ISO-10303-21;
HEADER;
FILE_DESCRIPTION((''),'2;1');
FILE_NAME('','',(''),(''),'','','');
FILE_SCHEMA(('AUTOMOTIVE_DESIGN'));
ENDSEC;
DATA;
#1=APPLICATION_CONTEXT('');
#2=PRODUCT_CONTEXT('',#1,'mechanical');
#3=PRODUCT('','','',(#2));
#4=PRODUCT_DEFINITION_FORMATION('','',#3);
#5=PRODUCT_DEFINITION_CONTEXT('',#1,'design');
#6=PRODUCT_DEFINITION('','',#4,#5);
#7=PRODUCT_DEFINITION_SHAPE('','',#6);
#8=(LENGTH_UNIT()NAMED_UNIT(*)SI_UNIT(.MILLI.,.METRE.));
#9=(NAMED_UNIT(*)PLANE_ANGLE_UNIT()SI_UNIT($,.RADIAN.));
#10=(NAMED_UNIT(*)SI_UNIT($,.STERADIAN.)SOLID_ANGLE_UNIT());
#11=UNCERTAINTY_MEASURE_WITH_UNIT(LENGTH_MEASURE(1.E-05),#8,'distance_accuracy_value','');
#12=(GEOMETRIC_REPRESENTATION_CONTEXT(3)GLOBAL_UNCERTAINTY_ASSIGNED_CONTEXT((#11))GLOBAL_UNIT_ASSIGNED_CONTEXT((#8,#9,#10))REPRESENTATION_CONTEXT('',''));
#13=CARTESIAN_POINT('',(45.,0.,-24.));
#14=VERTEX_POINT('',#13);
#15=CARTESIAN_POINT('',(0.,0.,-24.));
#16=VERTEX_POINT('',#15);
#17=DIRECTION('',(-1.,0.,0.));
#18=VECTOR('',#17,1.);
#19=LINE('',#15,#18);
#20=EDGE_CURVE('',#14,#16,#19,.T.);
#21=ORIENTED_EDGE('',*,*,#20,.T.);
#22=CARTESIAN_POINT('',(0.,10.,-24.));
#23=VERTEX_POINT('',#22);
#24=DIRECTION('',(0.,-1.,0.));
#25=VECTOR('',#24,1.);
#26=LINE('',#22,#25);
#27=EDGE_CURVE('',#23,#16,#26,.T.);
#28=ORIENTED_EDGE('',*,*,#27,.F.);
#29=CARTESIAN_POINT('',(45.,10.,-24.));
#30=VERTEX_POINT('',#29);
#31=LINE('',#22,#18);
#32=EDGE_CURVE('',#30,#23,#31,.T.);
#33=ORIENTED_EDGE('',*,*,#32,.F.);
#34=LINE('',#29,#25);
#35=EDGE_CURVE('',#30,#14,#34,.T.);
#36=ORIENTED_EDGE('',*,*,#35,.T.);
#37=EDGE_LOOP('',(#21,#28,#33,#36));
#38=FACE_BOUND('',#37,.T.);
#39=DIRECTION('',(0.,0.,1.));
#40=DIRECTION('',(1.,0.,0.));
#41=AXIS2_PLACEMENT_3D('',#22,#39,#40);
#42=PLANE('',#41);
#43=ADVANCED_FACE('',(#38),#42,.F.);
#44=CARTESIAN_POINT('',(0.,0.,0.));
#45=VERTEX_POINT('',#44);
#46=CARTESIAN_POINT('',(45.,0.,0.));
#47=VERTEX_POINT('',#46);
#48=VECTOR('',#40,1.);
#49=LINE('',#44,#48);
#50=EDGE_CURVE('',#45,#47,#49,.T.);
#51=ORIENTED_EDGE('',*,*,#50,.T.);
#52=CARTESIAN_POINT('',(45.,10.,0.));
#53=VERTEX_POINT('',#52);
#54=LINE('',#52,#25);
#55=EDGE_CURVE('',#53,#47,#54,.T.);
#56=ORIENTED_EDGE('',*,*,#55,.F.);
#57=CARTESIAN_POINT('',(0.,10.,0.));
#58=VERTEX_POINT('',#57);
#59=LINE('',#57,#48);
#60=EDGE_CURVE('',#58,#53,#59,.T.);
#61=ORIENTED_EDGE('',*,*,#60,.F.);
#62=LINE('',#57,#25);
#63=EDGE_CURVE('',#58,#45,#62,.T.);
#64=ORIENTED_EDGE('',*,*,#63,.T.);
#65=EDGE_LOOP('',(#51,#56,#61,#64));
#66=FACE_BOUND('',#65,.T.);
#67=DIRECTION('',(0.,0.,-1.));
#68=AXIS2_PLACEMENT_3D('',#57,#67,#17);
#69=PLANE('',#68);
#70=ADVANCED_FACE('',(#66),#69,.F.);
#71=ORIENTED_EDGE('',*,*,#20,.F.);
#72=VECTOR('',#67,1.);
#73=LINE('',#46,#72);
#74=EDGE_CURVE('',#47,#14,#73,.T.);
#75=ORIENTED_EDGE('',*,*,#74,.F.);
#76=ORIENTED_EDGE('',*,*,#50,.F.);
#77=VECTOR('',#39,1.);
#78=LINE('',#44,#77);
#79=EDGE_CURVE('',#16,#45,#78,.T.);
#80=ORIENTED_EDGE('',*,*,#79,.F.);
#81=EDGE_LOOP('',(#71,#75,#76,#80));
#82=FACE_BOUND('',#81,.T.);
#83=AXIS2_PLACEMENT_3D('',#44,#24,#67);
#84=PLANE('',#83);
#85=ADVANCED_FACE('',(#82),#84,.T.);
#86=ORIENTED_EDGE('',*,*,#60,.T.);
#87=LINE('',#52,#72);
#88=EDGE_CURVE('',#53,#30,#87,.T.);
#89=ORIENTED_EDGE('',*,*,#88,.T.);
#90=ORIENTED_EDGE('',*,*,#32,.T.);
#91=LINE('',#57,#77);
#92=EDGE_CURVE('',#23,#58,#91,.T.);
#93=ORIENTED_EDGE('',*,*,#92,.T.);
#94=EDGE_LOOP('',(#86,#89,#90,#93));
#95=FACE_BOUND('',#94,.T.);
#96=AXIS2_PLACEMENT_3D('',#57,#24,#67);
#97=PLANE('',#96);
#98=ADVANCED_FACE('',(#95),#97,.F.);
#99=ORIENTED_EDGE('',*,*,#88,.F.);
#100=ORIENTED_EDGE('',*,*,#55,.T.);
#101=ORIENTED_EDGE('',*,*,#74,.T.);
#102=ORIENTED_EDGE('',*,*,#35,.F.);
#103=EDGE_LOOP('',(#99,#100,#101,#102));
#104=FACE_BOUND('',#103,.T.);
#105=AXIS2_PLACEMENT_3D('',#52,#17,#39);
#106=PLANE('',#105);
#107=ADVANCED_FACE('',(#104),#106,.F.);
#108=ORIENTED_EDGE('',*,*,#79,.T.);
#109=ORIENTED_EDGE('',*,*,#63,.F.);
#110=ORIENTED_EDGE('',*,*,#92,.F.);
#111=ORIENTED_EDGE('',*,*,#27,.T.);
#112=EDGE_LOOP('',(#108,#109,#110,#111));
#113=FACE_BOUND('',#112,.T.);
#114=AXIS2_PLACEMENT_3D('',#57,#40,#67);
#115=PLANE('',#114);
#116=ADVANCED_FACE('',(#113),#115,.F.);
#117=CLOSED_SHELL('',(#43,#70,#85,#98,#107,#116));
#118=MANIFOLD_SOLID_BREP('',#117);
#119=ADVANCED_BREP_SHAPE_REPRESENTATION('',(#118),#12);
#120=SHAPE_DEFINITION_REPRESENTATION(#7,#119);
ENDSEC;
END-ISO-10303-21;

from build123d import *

# Parameters (mm, degrees)
SKETCH1_W                        = 45
SKETCH1_H                        = 24
BATTERY_MODEL_JUST_A_BLOCK_DEPTH = 10


with BuildPart() as part:
    # Sketch1 → battery model, just a block (new body)
    with BuildSketch(Plane(origin=(0, 0, 0), x_dir=(1, 0, 0), z_dir=(0, 1, 0))):
        with Locations((22.5, 12)):
            Rectangle(SKETCH1_W, SKETCH1_H)
    extrude(amount=BATTERY_MODEL_JUST_A_BLOCK_DEPTH)


solid = part.part
